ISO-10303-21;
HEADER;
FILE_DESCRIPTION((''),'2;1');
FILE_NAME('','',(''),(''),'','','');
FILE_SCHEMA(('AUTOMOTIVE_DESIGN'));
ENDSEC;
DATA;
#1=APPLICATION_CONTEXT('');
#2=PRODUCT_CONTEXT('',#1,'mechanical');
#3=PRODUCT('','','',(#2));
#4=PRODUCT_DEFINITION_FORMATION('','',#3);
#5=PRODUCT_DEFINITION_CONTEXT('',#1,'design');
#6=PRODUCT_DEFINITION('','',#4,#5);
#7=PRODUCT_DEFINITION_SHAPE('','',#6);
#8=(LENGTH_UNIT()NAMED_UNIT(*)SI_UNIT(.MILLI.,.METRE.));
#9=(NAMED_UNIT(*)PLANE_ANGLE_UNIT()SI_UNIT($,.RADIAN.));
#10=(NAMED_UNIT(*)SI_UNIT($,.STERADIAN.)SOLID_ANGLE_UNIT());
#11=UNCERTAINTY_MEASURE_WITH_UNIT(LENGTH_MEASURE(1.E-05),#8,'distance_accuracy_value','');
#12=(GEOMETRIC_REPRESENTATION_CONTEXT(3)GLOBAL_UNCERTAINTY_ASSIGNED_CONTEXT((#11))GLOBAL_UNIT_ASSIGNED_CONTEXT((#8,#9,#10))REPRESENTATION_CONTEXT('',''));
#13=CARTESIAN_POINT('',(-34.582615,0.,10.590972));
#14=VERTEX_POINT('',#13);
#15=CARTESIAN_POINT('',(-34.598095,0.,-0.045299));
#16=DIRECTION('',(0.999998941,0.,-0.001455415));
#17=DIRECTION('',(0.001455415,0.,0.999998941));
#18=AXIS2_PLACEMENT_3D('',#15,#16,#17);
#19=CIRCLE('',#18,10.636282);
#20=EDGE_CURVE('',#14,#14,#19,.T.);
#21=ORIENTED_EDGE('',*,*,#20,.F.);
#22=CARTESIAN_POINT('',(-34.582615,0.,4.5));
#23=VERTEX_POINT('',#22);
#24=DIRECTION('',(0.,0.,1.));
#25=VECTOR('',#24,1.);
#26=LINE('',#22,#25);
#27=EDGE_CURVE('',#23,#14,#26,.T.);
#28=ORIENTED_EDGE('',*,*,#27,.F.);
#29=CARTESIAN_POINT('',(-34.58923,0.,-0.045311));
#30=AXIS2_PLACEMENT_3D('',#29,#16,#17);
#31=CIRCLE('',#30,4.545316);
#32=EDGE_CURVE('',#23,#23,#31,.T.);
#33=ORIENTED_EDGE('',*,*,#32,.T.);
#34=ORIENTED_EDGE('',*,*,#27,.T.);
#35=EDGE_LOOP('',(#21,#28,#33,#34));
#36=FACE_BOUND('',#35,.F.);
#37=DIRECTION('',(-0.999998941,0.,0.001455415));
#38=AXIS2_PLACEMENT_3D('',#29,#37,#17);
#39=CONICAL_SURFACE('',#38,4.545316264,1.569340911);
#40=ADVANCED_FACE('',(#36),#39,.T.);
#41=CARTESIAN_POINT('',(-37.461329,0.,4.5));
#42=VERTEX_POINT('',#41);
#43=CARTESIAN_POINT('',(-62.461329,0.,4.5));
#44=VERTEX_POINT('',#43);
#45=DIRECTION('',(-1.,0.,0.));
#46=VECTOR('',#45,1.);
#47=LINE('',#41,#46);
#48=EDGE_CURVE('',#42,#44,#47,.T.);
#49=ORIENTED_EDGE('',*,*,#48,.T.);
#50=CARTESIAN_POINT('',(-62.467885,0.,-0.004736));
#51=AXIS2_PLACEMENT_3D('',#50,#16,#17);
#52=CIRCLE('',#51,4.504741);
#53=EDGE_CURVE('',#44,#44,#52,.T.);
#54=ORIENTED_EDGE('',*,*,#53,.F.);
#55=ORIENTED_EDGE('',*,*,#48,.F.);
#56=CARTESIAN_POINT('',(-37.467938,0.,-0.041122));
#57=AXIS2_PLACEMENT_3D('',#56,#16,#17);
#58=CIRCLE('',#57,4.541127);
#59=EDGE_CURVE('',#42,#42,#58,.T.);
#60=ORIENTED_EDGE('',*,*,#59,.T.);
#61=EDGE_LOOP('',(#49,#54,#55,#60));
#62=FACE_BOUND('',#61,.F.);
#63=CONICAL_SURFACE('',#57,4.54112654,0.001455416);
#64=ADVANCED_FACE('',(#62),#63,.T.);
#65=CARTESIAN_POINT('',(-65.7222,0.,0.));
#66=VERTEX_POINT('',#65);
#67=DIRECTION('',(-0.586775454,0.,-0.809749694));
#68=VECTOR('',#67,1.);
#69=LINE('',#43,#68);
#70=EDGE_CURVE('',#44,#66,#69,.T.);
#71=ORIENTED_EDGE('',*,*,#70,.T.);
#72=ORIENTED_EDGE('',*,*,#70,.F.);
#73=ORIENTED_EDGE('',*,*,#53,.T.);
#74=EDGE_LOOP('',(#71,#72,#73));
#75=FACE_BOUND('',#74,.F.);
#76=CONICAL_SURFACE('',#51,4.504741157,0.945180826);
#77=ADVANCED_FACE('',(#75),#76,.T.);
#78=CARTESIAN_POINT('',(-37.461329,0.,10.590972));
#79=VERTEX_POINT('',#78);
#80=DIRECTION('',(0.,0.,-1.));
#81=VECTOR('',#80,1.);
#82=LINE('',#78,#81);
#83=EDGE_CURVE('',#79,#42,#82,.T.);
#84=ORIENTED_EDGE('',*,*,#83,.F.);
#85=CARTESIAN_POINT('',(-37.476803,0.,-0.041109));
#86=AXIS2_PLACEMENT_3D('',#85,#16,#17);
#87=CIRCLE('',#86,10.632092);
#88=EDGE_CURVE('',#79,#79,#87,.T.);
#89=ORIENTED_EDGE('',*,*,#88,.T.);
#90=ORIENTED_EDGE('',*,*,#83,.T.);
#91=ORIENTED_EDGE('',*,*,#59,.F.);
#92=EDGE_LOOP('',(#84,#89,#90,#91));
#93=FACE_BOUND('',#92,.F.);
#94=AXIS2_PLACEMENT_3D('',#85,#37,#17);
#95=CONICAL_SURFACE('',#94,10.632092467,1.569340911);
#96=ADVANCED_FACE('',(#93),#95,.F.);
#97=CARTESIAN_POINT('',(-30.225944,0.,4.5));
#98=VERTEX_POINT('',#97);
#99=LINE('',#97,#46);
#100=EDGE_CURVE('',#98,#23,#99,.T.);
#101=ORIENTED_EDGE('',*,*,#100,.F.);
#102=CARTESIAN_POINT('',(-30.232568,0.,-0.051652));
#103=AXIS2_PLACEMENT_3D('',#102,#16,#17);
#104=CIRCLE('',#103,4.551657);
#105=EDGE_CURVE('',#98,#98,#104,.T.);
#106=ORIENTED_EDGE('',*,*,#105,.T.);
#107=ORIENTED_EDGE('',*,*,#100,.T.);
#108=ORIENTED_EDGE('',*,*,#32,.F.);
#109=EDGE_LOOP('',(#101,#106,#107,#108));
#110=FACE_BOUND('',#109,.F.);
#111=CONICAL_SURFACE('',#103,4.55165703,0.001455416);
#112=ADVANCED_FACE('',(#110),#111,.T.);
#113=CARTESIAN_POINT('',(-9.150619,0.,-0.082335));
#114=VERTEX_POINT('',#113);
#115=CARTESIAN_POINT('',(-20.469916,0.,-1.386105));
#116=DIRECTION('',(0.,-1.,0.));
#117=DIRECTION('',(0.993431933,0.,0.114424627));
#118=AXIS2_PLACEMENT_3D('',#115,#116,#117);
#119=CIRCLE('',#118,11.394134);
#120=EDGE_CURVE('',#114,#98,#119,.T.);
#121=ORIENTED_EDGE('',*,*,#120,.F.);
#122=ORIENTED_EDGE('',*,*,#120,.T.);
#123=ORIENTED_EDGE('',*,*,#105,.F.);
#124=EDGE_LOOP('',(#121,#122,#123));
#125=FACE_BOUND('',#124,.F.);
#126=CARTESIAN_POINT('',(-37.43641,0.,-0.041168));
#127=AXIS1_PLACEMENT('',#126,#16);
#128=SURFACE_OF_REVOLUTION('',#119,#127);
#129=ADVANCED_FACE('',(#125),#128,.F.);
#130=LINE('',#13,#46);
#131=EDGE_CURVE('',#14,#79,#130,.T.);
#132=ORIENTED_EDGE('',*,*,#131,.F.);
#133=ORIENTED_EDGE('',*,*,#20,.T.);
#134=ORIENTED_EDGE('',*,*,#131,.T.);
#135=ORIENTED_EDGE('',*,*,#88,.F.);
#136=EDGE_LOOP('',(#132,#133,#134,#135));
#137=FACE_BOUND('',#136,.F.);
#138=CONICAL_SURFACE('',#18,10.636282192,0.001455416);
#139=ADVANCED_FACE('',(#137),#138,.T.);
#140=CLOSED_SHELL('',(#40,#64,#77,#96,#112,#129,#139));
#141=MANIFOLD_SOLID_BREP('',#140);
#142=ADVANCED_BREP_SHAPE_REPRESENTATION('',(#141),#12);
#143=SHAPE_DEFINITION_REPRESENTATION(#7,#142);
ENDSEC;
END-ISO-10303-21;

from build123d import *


with BuildPart() as f1:
    # F0 (on Front) → F1 (revolve)
    with BuildSketch(Plane.XZ):
        with BuildLine():
            Line((-62.461329118, 4.5), (-65.7222004289, 0))
            Line((-65.7222004289, 0), (-9.1506193077, -0.0823352341))
            ThreePointArc((-9.1506193077, -0.0823352341), (-18.0490896336, 9.7478926094), (-30.225943774, 4.5))
            Line((-30.225943774, 4.5), (-34.5826148987, 4.5))
            Line((-34.5826148987, 4.5), (-34.5826148987, 10.5909723788))
            Line((-34.5826148987, 10.5909723788), (-37.461329118, 10.5909723788))
            Line((-37.461329118, 10.5909723788), (-37.461329118, 4.5))
            Line((-37.461329118, 4.5), (-62.461329118, 4.5))
        make_face()
    revolve(axis=Axis((-37.4364098683, 0, -0.0411676171), (0.9999989409, 0, -0.0014554153)))


solid = f1.part
